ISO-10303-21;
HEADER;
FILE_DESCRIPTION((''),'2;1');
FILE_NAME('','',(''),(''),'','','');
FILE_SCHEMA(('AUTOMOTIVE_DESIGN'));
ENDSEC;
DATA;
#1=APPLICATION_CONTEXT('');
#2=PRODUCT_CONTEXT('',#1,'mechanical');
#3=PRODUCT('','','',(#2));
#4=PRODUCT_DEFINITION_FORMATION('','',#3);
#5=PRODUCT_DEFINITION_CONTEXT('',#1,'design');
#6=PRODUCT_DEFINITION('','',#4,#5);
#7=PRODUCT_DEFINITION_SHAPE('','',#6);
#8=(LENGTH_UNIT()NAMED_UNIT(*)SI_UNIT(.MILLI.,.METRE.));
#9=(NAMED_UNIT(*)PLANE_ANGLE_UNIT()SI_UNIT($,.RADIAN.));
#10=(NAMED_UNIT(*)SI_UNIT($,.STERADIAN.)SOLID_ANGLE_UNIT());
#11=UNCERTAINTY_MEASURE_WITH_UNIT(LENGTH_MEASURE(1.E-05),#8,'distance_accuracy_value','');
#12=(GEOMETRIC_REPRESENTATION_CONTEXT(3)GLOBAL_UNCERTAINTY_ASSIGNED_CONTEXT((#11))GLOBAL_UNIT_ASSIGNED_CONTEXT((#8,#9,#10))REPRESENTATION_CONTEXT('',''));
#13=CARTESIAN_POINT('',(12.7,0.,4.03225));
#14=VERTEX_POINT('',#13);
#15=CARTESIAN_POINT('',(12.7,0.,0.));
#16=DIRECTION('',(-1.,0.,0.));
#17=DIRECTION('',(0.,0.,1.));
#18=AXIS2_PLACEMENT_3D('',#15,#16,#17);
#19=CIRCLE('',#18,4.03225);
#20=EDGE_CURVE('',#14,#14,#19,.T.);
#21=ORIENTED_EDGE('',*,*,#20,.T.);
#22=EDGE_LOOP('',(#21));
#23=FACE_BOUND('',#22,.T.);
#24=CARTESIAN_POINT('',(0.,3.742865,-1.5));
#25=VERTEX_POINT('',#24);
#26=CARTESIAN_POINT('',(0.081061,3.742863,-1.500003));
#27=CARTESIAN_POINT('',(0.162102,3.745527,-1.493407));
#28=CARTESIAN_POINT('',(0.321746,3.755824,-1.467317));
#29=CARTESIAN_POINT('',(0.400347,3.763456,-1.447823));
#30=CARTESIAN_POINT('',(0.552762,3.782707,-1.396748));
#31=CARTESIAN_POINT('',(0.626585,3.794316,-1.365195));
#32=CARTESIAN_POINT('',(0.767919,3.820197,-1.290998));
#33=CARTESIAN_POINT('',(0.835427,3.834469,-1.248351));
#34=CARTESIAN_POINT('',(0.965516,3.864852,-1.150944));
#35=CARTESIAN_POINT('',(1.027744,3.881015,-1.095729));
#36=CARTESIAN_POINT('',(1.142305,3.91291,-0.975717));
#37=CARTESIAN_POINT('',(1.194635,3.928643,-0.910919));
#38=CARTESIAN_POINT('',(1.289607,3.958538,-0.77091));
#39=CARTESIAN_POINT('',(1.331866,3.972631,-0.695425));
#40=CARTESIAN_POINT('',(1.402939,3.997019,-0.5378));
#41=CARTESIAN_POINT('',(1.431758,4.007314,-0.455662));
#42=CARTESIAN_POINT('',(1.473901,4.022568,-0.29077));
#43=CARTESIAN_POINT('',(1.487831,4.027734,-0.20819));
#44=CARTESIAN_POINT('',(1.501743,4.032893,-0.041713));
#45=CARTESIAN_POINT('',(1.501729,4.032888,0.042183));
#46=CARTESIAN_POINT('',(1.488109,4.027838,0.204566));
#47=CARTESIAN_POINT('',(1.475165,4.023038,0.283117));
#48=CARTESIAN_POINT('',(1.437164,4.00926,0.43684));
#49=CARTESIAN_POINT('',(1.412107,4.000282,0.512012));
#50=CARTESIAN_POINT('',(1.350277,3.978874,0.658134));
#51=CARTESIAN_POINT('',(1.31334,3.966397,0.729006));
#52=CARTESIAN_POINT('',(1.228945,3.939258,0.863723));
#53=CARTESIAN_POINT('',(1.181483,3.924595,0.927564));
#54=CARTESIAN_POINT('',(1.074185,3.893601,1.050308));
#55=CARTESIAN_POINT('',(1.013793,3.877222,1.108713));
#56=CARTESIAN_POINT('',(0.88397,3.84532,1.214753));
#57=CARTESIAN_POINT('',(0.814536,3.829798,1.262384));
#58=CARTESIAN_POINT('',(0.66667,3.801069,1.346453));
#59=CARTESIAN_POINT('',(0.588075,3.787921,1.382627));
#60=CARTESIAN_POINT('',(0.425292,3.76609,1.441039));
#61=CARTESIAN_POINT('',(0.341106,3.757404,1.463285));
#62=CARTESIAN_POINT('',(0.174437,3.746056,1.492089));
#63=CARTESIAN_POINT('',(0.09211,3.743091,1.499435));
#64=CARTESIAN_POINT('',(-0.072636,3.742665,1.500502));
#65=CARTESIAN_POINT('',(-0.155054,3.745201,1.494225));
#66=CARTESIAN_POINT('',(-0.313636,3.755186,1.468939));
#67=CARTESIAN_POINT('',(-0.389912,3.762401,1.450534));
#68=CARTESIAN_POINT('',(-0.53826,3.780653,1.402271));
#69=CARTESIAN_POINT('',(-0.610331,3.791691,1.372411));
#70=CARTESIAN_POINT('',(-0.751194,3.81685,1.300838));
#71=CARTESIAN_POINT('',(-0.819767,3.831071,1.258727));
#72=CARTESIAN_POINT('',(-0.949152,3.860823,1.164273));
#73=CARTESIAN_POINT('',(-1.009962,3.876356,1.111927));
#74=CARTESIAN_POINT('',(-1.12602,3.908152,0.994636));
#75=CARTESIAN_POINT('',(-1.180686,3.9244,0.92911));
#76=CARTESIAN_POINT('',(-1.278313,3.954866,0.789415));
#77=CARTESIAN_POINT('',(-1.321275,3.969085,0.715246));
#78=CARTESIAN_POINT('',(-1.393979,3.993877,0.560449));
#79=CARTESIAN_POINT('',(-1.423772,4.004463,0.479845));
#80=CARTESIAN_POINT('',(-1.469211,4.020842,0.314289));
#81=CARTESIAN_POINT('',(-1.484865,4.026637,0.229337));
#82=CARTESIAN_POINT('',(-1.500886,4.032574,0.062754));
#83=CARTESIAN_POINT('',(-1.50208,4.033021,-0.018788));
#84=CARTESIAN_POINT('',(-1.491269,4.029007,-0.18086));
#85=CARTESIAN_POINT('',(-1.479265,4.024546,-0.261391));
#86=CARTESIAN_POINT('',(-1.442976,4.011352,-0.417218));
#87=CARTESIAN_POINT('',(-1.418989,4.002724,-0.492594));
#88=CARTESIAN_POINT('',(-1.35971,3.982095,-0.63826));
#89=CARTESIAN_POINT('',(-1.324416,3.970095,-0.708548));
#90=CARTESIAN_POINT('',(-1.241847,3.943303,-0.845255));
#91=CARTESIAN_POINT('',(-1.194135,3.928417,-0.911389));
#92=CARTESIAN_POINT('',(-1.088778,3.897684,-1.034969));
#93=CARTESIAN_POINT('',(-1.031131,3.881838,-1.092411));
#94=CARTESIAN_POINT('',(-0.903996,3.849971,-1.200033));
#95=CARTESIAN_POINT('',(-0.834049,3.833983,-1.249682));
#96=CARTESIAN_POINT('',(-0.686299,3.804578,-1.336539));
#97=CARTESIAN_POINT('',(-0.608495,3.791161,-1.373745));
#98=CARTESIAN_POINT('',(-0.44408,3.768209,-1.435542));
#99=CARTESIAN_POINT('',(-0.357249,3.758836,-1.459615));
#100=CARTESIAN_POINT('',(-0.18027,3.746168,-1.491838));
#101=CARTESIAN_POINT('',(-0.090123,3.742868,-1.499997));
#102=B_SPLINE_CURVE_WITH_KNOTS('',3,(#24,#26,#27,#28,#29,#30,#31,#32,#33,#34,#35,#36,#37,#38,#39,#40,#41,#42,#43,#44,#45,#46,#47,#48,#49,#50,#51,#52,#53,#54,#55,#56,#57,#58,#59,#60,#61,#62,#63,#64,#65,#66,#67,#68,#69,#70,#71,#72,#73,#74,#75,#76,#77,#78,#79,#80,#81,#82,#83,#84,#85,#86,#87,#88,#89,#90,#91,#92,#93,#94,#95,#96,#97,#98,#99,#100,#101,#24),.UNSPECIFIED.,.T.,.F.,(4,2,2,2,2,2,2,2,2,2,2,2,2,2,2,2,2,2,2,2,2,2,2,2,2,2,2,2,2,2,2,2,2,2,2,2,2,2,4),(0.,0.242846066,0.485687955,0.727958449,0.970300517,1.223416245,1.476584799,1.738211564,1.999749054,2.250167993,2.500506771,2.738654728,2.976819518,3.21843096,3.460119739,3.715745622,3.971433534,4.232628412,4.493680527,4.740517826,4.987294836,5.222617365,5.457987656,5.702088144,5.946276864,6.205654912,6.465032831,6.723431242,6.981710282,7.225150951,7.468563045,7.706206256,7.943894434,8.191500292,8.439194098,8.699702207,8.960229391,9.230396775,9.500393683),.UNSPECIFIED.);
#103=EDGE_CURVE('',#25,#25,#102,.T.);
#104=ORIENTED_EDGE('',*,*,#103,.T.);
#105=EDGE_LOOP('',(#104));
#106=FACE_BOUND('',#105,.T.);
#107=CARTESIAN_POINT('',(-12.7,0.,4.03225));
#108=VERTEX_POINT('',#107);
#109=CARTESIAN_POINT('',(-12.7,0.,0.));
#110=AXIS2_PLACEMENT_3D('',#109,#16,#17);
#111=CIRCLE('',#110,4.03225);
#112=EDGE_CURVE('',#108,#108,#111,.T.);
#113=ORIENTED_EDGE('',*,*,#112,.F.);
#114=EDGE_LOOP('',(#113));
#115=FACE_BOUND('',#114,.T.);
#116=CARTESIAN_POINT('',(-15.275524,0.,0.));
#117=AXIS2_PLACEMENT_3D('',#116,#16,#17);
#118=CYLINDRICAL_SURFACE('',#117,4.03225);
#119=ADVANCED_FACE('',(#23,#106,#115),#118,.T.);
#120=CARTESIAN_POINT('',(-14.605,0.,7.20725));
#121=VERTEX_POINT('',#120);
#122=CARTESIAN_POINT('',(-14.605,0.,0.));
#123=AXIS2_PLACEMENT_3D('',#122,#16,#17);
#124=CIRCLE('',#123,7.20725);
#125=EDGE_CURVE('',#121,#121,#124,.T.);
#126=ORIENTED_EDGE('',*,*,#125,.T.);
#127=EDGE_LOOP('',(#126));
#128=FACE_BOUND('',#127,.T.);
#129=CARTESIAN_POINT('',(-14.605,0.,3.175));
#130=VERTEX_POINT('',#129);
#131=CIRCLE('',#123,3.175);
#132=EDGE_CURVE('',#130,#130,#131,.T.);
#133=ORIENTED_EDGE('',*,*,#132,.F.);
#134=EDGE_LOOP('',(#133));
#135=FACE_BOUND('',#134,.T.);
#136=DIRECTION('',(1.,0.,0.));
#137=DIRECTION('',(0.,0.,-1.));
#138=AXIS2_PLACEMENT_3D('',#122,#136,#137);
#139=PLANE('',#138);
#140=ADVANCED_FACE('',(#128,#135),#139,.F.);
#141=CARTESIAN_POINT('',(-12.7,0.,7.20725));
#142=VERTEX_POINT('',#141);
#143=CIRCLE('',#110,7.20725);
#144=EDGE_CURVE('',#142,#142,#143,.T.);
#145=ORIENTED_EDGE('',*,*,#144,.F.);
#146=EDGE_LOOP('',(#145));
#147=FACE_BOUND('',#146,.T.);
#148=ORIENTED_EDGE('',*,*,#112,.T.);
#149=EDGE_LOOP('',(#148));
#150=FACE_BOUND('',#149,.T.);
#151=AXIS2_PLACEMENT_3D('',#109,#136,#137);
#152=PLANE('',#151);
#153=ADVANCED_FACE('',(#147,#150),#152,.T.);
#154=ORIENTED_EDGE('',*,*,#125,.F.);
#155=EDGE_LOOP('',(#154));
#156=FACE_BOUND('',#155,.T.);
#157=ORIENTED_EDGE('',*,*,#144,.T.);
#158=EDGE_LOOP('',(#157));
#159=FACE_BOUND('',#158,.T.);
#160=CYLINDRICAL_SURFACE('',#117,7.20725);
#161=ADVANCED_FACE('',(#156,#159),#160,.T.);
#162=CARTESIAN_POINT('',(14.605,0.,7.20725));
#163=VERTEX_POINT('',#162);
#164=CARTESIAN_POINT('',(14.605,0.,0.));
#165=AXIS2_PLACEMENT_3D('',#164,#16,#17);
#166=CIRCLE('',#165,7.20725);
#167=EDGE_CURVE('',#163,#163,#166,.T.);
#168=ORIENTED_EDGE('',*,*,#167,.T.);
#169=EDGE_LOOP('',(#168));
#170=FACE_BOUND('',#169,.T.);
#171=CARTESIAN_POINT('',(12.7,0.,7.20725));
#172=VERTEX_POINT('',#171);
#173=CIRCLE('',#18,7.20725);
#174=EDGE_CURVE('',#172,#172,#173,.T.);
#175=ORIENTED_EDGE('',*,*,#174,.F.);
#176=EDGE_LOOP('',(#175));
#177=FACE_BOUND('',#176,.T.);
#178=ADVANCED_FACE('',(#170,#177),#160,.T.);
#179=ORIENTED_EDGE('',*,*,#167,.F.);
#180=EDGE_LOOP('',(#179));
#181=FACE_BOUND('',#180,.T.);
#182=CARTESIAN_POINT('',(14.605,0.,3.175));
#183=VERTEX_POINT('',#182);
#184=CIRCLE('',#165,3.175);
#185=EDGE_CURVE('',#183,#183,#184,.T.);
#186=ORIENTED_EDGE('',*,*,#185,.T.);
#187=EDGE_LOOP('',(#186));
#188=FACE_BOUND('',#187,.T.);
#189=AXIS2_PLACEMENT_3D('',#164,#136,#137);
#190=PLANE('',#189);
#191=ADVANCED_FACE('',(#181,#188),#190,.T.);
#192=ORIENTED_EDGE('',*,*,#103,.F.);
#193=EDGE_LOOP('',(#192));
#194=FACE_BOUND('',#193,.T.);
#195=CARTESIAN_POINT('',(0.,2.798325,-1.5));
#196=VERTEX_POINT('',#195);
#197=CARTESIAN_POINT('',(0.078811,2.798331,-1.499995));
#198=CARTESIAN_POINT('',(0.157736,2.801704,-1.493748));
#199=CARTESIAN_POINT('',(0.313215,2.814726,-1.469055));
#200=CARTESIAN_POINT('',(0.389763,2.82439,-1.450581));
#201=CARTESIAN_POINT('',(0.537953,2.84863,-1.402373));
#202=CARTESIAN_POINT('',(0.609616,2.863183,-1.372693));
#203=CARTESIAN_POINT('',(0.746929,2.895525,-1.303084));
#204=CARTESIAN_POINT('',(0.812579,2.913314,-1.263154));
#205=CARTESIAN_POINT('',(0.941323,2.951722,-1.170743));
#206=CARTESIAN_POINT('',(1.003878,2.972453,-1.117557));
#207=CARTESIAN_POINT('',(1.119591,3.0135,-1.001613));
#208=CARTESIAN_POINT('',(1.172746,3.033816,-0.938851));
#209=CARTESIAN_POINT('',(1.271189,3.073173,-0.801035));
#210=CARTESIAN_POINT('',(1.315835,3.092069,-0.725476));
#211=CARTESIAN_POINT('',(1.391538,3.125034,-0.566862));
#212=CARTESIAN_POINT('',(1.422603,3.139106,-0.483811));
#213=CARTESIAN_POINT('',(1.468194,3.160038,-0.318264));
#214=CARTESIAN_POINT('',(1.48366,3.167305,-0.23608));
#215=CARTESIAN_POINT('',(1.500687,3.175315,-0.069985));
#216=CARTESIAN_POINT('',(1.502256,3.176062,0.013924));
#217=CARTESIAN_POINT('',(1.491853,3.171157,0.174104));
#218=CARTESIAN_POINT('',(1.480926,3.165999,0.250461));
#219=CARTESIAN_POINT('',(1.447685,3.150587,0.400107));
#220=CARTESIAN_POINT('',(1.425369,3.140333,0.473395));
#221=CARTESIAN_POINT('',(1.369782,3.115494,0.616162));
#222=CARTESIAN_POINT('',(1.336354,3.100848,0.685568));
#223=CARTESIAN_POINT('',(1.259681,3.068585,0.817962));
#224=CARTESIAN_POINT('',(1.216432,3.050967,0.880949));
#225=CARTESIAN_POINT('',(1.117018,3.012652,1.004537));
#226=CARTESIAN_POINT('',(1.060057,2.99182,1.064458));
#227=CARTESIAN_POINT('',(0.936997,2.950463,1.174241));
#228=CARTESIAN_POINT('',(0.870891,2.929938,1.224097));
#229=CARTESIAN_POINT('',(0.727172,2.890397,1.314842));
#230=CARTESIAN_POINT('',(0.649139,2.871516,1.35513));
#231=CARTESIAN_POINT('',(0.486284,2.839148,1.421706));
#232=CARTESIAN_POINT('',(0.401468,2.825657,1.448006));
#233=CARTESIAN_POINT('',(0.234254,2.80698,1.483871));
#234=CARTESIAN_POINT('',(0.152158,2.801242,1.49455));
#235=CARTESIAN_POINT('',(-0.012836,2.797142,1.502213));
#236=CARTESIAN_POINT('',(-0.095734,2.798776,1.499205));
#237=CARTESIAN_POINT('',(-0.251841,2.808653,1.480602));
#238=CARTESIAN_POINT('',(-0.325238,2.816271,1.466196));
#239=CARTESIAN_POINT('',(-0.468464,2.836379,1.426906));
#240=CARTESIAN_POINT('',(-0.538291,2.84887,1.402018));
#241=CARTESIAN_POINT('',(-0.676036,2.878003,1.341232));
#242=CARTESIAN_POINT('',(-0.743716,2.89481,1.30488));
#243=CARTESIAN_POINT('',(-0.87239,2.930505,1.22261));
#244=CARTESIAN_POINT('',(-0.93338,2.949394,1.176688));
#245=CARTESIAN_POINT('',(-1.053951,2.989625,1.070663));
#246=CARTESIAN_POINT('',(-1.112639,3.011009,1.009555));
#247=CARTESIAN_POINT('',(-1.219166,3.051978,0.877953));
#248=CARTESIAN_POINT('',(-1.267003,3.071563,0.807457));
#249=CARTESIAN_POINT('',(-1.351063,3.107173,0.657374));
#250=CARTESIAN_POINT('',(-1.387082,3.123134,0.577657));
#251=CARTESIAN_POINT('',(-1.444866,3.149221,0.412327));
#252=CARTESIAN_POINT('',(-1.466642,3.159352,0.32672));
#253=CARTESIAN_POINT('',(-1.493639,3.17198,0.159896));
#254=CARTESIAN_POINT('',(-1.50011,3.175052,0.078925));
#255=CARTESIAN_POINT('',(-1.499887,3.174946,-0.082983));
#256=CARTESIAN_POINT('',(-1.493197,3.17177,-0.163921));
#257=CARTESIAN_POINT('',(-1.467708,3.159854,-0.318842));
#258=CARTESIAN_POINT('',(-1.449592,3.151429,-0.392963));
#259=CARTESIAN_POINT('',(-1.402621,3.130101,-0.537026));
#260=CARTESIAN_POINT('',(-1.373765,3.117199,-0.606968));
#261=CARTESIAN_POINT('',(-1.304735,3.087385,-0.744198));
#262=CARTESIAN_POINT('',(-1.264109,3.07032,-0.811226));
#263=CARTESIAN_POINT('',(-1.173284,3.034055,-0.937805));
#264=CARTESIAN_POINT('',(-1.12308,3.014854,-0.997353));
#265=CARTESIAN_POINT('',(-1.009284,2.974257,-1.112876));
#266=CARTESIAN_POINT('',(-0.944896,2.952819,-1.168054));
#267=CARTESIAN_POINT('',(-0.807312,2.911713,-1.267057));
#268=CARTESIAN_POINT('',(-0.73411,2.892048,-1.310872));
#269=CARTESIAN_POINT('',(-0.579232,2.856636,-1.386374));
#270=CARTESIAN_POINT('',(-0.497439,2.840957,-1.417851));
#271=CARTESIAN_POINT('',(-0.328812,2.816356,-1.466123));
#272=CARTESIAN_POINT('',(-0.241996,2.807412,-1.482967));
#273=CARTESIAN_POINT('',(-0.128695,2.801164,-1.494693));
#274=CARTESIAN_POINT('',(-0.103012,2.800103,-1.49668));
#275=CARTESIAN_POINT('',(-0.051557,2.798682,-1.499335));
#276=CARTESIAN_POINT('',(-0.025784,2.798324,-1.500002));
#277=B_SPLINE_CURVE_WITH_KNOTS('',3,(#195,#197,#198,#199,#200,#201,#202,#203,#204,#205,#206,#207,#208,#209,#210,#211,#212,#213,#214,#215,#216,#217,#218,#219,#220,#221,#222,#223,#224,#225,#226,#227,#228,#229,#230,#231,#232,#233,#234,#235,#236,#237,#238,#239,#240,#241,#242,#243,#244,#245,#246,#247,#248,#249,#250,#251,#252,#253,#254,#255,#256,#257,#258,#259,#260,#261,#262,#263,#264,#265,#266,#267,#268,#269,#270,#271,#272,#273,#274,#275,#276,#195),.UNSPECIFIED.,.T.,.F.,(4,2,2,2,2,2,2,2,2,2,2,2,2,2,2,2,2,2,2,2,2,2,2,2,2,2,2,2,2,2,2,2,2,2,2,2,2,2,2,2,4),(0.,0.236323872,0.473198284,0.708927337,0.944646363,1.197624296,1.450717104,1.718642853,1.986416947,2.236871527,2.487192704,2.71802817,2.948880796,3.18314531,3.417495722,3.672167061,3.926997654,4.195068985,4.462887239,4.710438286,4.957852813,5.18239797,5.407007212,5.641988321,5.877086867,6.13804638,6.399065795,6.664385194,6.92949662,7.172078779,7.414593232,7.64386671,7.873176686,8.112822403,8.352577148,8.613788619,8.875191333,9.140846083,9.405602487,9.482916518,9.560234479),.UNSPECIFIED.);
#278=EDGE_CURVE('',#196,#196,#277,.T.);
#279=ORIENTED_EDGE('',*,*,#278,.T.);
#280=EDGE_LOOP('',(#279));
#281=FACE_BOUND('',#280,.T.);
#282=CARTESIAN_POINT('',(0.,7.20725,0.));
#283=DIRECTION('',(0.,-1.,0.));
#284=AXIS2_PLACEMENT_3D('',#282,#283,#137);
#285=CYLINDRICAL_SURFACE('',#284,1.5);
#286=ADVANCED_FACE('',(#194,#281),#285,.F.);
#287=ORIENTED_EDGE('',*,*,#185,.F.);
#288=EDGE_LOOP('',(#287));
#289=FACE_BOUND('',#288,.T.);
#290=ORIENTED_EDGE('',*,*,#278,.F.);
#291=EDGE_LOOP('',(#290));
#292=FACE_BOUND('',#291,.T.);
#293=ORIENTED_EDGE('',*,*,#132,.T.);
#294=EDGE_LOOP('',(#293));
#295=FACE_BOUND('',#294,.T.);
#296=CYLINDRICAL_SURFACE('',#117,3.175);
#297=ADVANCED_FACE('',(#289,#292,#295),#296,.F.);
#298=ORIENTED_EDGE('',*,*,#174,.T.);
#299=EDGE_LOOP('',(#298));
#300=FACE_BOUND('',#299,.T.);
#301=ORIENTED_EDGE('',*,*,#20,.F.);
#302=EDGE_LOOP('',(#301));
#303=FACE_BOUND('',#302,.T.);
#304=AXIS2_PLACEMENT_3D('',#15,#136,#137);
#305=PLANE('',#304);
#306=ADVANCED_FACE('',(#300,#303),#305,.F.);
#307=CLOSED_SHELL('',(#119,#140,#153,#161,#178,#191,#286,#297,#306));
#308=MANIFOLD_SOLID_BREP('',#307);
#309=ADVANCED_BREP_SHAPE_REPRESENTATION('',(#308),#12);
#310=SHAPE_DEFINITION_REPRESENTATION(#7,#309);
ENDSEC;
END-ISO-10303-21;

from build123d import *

# Parameters (mm, degrees)
SKETCH2_R          = 1.5
CUT_EXTRUDE1_DEPTH = 18.809967157


with BuildPart() as part:
    # Sketch1 → Revolve1 (revolve)
    with BuildSketch(Plane.XY):
        Polygon((14.605, 3.175), (14.605, 7.20725), (12.7, 7.20725), (12.7, 4.03225), (-12.7, 4.03225), (-12.7, 7.20725), (-14.605, 7.20725), (-14.605, 3.175), align=None)
    revolve(axis=Axis((-15.275524476, 0, 0), (1, 0, 0)))

    # Sketch2 → Cut-Extrude1 (cut, through all)
    with BuildSketch(Plane(origin=(0, 0, 0), x_dir=(1, 0, 0), z_dir=(0, 1, 0))):
        Circle(SKETCH2_R)
    extrude(amount=CUT_EXTRUDE1_DEPTH, mode=Mode.SUBTRACT)


solid = part.part
